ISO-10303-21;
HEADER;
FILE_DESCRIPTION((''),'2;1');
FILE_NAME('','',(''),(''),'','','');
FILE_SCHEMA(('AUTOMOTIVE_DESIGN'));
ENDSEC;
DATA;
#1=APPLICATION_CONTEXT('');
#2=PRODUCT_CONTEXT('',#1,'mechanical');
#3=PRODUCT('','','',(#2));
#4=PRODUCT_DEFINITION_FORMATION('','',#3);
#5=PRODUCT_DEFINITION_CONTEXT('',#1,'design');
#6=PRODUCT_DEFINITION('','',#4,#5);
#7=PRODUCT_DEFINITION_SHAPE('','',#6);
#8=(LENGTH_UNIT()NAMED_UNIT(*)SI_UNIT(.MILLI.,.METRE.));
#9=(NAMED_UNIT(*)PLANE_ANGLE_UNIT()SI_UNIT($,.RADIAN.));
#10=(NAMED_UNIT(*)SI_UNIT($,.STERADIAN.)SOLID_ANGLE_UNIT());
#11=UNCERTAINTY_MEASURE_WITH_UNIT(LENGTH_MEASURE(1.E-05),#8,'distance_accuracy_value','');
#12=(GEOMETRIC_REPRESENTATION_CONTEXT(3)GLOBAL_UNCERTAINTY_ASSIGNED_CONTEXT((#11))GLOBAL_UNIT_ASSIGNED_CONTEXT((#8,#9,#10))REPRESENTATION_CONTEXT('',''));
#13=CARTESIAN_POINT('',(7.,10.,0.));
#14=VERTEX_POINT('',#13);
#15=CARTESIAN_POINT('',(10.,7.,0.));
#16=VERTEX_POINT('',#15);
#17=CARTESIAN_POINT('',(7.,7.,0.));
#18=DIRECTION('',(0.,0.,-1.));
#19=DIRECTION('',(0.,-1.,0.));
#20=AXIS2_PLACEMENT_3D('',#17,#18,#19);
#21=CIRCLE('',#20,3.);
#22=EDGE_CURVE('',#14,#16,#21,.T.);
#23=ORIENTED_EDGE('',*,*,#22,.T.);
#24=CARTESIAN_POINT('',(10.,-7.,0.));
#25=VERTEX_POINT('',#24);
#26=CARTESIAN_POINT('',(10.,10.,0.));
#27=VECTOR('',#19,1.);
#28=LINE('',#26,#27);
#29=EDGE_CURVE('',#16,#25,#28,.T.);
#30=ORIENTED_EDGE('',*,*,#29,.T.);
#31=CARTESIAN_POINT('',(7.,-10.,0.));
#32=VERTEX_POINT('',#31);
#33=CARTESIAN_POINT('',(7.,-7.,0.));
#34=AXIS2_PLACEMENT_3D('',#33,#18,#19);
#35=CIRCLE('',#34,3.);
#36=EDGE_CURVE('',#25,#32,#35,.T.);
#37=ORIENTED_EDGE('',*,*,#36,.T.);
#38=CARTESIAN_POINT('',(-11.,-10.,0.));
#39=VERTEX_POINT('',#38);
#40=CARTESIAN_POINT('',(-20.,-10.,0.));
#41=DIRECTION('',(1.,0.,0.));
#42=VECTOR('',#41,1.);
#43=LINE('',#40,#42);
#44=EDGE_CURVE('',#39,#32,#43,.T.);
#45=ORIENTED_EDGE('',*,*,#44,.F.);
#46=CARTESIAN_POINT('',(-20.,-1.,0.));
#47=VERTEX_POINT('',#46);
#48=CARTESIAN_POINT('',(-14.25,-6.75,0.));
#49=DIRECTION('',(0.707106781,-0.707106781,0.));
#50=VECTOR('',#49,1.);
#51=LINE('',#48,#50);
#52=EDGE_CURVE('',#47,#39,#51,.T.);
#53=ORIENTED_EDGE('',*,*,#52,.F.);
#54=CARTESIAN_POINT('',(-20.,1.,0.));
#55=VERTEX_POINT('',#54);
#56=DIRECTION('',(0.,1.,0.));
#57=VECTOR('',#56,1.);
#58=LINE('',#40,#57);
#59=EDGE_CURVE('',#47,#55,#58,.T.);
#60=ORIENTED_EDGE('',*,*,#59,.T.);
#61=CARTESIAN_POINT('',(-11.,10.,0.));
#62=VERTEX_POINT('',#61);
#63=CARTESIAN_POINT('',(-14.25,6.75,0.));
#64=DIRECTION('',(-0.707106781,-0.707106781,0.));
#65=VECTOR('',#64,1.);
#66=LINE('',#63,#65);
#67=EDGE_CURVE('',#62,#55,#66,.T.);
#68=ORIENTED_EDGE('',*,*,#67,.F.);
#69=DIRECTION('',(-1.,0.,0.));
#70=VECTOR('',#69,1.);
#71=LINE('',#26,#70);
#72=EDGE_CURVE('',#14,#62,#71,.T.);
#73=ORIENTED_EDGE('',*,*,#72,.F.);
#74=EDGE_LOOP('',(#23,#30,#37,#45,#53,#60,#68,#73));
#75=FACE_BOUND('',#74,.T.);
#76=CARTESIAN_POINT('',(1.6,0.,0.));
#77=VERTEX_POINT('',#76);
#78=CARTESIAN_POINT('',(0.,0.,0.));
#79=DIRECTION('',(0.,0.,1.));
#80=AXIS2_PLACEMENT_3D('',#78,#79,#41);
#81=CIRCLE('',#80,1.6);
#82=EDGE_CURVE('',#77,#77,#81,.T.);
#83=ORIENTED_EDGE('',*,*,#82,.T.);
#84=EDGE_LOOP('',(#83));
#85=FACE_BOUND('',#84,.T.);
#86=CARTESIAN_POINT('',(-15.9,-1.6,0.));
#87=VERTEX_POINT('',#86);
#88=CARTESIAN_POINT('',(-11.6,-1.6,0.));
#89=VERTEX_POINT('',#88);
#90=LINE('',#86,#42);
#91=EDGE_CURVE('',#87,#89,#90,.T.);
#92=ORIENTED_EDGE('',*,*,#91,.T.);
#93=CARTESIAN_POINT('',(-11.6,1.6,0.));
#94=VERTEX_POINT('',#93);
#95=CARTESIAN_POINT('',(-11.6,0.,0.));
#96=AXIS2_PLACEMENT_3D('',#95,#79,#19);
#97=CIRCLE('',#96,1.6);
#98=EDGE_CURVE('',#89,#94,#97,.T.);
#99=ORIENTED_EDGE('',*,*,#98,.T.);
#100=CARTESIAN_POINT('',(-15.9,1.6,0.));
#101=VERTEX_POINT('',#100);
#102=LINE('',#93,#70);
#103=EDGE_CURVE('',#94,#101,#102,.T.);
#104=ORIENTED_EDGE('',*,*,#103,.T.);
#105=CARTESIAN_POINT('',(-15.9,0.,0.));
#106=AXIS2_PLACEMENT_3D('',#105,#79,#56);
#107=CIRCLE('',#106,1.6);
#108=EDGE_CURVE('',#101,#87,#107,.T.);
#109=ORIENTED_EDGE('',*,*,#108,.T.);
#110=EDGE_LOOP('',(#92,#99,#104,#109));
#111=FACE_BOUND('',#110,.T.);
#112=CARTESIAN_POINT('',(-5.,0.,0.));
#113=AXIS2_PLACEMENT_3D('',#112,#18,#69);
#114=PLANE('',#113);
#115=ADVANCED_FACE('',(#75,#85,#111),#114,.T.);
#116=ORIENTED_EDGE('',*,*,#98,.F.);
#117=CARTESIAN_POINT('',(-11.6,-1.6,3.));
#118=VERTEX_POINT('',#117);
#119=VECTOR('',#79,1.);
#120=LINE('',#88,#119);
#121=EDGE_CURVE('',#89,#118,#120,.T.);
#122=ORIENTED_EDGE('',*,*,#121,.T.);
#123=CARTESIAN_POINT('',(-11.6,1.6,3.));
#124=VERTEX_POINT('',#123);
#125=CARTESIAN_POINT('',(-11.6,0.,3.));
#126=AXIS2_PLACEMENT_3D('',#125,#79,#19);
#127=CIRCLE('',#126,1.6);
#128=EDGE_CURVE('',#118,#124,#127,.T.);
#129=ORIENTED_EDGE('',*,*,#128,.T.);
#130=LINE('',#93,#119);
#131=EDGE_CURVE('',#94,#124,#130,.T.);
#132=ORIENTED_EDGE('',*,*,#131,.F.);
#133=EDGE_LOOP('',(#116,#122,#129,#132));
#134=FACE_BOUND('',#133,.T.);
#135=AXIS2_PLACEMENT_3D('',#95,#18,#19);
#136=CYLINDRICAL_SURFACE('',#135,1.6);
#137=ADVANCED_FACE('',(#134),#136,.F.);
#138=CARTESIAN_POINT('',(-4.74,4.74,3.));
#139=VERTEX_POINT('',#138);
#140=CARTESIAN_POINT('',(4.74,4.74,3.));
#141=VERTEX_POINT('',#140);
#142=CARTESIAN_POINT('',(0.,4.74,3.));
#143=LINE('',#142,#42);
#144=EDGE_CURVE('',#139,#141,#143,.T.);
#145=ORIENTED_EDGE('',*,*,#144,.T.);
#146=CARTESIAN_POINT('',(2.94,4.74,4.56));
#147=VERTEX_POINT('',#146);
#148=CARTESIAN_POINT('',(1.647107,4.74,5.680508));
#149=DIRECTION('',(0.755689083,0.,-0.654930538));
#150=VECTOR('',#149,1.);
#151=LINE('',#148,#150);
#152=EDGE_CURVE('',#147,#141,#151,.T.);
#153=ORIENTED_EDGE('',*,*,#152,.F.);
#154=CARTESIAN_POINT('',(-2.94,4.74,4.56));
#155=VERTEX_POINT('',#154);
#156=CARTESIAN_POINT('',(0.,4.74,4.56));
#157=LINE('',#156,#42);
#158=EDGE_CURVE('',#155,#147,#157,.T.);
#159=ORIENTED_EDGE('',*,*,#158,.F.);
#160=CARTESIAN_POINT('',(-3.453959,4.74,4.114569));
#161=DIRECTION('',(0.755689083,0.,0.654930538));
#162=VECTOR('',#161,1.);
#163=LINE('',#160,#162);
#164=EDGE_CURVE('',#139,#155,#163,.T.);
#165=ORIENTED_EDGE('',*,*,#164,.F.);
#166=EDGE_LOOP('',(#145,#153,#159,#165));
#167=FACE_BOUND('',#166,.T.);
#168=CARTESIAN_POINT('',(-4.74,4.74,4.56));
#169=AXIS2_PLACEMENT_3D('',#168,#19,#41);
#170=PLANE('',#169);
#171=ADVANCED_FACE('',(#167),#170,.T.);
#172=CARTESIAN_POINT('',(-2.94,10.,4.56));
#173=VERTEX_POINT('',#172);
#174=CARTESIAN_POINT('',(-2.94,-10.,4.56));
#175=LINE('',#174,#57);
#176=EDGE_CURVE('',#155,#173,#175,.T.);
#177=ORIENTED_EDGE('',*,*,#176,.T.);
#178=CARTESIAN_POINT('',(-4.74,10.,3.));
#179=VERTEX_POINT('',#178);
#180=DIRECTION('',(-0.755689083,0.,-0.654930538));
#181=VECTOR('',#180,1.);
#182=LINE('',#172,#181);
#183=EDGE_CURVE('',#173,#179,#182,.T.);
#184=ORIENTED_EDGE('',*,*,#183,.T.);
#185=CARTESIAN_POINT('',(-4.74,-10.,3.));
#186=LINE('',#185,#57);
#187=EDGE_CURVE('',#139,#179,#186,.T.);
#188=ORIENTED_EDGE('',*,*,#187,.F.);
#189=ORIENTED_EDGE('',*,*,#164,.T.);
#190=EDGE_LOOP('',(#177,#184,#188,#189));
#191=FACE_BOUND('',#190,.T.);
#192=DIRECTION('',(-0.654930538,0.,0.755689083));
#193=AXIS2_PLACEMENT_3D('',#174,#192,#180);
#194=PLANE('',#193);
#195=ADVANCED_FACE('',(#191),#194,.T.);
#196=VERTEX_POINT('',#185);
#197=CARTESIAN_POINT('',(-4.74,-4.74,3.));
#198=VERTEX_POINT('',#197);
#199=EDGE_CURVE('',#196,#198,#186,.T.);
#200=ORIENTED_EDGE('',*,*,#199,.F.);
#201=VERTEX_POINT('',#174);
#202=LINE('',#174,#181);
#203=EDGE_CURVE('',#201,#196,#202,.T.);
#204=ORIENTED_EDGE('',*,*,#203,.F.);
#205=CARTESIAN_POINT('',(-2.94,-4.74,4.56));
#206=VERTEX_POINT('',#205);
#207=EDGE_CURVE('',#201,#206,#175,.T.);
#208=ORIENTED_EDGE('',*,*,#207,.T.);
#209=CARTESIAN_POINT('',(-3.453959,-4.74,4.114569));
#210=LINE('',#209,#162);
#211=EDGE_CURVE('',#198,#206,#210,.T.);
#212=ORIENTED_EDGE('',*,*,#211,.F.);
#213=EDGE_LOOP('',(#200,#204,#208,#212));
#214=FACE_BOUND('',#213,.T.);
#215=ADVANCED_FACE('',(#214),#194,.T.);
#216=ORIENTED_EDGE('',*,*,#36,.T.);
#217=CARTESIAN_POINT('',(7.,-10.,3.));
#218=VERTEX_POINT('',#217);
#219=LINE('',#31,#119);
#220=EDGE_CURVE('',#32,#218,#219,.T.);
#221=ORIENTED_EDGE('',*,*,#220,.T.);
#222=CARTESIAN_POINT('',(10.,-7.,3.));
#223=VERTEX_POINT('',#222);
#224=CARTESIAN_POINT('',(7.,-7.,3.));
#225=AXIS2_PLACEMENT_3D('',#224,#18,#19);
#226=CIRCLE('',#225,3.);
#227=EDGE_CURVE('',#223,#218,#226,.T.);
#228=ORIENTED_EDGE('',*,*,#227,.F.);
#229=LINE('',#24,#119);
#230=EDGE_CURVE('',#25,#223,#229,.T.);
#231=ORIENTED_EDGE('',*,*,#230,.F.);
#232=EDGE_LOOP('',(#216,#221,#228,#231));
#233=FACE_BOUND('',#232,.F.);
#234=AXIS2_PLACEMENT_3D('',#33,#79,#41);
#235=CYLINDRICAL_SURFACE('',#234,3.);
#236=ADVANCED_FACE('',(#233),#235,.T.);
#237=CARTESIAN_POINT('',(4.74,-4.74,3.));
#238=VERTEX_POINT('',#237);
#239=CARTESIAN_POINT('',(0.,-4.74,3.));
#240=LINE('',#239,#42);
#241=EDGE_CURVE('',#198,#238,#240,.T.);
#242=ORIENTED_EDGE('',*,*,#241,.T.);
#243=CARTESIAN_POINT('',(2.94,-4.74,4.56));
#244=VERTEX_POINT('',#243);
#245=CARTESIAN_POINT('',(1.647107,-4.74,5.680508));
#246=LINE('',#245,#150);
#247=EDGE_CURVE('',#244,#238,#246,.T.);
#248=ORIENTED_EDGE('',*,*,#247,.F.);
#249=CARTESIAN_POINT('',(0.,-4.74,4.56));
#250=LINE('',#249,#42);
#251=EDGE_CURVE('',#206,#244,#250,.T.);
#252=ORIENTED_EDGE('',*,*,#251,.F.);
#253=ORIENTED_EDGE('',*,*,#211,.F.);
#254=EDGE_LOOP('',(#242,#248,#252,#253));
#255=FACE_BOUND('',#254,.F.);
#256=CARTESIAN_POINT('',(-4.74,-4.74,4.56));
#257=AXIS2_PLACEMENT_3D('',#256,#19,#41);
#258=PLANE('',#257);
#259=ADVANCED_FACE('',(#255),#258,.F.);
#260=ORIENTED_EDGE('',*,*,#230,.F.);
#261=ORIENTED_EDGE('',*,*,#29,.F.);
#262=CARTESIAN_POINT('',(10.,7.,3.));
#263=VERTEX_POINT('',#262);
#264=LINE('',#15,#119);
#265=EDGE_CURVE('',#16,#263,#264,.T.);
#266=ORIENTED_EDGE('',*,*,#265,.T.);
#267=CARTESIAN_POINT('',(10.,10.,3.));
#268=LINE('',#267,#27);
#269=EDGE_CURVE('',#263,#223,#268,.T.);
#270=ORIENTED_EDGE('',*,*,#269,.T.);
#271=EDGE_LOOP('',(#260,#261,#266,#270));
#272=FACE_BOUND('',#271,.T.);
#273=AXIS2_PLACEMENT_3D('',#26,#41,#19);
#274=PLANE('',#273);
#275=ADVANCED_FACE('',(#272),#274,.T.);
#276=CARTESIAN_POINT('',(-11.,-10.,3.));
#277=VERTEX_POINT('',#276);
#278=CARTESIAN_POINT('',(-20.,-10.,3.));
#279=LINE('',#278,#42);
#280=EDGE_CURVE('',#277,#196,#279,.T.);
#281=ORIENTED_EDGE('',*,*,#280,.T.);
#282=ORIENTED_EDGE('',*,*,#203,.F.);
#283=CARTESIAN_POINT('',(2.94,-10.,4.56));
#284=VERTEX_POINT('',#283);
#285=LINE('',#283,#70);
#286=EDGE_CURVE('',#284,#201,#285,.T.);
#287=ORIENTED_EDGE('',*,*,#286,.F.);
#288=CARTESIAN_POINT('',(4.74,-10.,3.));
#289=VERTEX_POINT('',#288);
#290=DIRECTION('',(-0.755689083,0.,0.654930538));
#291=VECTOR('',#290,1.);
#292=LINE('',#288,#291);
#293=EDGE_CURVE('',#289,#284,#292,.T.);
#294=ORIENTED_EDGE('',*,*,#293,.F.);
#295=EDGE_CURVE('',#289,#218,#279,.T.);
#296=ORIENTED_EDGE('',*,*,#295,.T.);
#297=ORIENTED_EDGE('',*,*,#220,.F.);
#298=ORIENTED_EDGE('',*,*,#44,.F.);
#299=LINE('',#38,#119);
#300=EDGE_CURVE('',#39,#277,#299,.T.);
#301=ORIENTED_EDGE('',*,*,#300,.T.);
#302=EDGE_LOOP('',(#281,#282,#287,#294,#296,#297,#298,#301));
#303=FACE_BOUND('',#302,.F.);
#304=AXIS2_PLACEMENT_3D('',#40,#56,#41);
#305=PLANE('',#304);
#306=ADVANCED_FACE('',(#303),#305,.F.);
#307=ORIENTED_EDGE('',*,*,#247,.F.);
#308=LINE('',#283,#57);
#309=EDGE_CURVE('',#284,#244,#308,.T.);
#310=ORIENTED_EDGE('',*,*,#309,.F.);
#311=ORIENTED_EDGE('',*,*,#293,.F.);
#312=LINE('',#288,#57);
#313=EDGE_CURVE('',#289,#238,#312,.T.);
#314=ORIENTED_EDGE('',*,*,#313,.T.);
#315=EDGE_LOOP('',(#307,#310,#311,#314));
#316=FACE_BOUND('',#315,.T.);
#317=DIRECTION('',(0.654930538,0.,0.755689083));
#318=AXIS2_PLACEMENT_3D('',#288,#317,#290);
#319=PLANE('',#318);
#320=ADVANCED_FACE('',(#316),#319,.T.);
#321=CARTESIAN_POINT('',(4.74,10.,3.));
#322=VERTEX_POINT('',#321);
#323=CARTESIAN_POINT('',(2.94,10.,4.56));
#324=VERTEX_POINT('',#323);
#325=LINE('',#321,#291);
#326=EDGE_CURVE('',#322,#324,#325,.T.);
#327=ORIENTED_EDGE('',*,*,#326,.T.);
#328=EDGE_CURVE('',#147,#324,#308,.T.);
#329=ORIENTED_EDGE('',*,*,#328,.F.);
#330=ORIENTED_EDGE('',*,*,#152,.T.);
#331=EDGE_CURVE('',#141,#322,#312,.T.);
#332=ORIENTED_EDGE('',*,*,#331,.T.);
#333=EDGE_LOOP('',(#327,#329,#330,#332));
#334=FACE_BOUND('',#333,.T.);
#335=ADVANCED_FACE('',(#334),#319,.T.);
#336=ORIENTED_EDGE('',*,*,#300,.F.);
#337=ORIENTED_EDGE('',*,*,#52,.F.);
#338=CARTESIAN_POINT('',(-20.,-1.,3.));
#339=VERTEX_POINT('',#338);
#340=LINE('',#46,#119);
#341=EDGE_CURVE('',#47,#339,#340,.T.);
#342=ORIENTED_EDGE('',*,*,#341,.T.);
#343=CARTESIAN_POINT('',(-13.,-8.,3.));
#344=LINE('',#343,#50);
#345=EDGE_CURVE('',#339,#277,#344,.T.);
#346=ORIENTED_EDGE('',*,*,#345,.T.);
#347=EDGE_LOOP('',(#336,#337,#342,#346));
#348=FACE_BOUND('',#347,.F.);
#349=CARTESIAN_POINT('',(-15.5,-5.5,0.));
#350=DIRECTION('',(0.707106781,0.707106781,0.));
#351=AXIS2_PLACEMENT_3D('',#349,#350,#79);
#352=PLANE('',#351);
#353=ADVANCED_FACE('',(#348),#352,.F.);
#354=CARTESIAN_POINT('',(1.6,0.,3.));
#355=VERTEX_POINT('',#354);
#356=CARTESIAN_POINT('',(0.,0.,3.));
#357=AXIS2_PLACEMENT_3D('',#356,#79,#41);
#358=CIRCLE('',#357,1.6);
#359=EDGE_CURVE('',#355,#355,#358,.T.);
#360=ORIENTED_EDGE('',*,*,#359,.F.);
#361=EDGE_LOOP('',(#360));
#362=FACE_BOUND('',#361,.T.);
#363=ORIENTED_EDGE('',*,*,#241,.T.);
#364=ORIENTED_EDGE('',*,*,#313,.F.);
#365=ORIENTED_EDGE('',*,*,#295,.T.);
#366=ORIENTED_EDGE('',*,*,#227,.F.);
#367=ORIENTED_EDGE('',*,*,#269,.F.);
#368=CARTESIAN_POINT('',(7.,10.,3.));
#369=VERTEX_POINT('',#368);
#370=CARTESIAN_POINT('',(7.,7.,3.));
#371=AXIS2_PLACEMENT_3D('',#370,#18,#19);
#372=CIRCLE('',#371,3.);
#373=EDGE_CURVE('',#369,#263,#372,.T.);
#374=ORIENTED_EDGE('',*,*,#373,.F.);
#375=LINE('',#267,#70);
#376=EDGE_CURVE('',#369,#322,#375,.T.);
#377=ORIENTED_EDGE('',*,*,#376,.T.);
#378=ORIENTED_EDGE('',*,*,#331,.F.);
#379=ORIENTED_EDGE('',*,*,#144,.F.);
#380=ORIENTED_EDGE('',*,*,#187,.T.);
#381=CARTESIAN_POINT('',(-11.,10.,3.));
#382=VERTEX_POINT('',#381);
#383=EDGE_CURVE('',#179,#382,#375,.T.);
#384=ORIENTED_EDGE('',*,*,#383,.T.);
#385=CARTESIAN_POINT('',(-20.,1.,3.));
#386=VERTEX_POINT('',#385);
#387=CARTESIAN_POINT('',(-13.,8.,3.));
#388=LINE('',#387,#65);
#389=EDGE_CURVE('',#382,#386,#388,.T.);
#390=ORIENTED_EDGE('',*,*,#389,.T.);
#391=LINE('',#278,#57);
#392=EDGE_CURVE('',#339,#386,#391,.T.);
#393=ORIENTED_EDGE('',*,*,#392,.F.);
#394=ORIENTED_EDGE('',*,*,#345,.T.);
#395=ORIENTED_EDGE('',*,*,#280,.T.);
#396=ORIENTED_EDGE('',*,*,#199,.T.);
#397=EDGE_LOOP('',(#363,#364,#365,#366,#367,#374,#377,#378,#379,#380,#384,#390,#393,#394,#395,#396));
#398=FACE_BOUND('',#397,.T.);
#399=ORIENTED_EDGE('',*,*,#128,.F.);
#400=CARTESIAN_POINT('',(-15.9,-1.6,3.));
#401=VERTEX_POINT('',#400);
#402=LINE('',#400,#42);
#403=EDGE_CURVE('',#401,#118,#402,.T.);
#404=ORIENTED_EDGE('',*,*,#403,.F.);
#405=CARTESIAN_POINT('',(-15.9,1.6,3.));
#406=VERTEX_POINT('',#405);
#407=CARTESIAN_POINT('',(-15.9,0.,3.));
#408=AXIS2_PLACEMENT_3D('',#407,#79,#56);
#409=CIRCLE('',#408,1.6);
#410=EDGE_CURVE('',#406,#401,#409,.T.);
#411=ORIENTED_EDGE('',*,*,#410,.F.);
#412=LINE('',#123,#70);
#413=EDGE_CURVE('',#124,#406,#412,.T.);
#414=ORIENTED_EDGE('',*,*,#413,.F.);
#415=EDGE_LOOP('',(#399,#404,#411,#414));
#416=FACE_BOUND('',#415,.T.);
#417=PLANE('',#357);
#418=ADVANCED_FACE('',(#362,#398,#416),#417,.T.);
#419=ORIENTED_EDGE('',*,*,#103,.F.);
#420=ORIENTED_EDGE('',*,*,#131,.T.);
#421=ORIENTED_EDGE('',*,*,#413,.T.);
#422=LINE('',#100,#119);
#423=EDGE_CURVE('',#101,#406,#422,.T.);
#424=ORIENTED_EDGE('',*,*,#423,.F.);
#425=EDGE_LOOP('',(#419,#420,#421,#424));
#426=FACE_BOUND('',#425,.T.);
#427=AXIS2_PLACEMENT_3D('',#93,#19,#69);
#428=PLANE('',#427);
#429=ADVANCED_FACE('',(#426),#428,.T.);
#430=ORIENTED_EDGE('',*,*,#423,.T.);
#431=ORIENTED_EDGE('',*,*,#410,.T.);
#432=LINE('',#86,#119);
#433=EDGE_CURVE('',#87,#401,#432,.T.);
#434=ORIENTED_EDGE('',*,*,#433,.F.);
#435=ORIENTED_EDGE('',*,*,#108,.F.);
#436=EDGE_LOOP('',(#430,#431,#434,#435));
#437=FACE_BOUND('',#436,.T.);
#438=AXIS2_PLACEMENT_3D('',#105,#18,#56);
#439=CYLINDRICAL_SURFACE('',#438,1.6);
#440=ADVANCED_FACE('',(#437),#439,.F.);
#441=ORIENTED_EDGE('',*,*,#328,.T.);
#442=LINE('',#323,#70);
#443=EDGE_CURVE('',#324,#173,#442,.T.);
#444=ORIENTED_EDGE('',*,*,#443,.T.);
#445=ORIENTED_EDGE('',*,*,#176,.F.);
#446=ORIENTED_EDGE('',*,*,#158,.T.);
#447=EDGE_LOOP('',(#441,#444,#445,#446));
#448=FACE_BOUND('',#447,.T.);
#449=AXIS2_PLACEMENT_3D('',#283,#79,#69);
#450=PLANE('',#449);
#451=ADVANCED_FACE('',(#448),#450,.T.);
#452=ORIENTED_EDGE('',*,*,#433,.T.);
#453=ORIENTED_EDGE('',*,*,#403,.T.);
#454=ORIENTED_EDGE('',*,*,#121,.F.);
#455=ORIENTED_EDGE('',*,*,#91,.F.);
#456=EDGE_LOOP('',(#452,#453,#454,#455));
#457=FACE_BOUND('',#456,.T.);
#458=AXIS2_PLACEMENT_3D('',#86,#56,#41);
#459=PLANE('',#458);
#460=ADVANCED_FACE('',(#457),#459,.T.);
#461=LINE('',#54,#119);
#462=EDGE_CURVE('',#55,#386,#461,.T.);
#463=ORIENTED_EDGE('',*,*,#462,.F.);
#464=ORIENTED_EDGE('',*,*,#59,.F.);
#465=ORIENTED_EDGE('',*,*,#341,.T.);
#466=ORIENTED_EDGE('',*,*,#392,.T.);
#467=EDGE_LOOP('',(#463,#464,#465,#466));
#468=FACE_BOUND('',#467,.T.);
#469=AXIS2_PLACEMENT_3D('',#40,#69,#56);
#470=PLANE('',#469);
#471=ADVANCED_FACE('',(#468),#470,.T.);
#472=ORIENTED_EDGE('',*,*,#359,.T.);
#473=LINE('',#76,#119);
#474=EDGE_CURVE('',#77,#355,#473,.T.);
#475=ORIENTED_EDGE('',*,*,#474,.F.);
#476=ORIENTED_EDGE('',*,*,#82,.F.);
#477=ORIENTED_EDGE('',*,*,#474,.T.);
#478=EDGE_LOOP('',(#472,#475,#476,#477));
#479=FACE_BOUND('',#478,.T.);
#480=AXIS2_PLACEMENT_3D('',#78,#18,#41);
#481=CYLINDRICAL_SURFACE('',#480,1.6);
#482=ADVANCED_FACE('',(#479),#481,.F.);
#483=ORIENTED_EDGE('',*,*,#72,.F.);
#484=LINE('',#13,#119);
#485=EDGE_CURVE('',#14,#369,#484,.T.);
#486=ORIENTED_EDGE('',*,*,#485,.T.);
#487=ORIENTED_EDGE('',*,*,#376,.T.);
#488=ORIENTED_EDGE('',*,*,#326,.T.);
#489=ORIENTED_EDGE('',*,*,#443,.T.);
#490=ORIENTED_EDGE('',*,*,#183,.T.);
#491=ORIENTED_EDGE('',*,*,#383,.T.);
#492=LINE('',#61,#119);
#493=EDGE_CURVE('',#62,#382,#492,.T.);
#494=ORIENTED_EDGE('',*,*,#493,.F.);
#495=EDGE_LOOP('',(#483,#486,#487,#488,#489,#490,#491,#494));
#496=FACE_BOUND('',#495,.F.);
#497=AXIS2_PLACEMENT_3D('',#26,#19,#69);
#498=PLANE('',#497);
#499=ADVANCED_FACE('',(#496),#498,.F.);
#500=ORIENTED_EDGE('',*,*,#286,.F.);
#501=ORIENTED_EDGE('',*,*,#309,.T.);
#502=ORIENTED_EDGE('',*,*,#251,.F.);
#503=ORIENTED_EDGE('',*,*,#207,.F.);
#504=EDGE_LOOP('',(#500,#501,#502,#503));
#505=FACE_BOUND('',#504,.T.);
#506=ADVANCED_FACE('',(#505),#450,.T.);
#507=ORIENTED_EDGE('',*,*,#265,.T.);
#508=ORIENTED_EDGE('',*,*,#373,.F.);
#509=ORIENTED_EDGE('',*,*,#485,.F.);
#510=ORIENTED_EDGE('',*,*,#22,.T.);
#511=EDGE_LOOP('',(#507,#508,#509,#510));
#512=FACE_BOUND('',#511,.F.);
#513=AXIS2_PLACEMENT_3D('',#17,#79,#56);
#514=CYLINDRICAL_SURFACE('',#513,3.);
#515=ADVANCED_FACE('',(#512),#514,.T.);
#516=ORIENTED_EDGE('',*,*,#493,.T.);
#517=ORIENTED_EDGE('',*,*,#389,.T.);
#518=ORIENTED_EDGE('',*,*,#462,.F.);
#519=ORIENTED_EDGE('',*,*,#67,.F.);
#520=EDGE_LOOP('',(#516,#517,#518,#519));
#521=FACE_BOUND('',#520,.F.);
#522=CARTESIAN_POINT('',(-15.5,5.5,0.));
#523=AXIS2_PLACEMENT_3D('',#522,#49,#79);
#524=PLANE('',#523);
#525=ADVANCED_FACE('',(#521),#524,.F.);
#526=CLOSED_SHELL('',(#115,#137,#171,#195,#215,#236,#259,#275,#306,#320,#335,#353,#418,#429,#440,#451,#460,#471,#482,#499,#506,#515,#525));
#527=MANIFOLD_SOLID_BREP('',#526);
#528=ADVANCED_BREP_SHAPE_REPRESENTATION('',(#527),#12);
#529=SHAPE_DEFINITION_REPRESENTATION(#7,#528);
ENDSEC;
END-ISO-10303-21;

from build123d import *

# Parameters (mm, degrees)
SKETCH_R     = 1.6
PAD_DEPTH    = 3
PAD001_DEPTH = 20
SKETCH002_W  = 9.48
SKETCH002_H  = 9.48
POCKET_DEPTH = 1.56
CHAMFER_SIZE = 9
FILLET_R     = 3


with BuildPart() as part:
    # Sketch → Pad (new body)
    with BuildSketch(Plane.XY):
        Polygon((-10, 10), (10, 10), (10, -10), (-10, -10), (-20, -10), (-20, 10), align=None)
        Circle(SKETCH_R, mode=Mode.SUBTRACT)
        with BuildLine():
            ThreePointArc((-15.9, 1.6), (-17.5, 0), (-15.9, -1.6))
            Line((-15.9, -1.6), (-11.6, -1.6))
            ThreePointArc((-11.6, -1.6), (-10, 0), (-11.6, 1.6))
            Line((-11.6, 1.6), (-15.9, 1.6))
        make_face(mode=Mode.SUBTRACT)
    extrude(amount=PAD_DEPTH)

    # Sketch001 (on Face3 of Pad) → Pad001 (join)
    with BuildSketch(Plane.XZ.offset(10)):
        Polygon((-4.74, 3), (4.74, 3), (2.94, 4.56), (-2.94, 4.56), align=None)
    extrude(amount=-PAD001_DEPTH)

    # Sketch002 (on Face18 of Pad001) → Pocket (cut)
    with BuildSketch(Plane.XY.offset(4.56)):
        Rectangle(SKETCH002_W, SKETCH002_H)
    extrude(amount=-POCKET_DEPTH, mode=Mode.SUBTRACT)

    # Chamfer
    chamfer_edges = [part.edges().sort_by_distance(p)[0] for p in [
        (-20, 10, 1.5),
        (-20, -10, 1.5),
    ]]
    chamfer(chamfer_edges, length=CHAMFER_SIZE)

    # Fillet
    fillet_edges = [part.edges().sort_by_distance(p)[0] for p in [
        (10, -10, 1.5),
        (10, 10, 1.5),
    ]]
    fillet(fillet_edges, radius=FILLET_R)


solid = part.part
